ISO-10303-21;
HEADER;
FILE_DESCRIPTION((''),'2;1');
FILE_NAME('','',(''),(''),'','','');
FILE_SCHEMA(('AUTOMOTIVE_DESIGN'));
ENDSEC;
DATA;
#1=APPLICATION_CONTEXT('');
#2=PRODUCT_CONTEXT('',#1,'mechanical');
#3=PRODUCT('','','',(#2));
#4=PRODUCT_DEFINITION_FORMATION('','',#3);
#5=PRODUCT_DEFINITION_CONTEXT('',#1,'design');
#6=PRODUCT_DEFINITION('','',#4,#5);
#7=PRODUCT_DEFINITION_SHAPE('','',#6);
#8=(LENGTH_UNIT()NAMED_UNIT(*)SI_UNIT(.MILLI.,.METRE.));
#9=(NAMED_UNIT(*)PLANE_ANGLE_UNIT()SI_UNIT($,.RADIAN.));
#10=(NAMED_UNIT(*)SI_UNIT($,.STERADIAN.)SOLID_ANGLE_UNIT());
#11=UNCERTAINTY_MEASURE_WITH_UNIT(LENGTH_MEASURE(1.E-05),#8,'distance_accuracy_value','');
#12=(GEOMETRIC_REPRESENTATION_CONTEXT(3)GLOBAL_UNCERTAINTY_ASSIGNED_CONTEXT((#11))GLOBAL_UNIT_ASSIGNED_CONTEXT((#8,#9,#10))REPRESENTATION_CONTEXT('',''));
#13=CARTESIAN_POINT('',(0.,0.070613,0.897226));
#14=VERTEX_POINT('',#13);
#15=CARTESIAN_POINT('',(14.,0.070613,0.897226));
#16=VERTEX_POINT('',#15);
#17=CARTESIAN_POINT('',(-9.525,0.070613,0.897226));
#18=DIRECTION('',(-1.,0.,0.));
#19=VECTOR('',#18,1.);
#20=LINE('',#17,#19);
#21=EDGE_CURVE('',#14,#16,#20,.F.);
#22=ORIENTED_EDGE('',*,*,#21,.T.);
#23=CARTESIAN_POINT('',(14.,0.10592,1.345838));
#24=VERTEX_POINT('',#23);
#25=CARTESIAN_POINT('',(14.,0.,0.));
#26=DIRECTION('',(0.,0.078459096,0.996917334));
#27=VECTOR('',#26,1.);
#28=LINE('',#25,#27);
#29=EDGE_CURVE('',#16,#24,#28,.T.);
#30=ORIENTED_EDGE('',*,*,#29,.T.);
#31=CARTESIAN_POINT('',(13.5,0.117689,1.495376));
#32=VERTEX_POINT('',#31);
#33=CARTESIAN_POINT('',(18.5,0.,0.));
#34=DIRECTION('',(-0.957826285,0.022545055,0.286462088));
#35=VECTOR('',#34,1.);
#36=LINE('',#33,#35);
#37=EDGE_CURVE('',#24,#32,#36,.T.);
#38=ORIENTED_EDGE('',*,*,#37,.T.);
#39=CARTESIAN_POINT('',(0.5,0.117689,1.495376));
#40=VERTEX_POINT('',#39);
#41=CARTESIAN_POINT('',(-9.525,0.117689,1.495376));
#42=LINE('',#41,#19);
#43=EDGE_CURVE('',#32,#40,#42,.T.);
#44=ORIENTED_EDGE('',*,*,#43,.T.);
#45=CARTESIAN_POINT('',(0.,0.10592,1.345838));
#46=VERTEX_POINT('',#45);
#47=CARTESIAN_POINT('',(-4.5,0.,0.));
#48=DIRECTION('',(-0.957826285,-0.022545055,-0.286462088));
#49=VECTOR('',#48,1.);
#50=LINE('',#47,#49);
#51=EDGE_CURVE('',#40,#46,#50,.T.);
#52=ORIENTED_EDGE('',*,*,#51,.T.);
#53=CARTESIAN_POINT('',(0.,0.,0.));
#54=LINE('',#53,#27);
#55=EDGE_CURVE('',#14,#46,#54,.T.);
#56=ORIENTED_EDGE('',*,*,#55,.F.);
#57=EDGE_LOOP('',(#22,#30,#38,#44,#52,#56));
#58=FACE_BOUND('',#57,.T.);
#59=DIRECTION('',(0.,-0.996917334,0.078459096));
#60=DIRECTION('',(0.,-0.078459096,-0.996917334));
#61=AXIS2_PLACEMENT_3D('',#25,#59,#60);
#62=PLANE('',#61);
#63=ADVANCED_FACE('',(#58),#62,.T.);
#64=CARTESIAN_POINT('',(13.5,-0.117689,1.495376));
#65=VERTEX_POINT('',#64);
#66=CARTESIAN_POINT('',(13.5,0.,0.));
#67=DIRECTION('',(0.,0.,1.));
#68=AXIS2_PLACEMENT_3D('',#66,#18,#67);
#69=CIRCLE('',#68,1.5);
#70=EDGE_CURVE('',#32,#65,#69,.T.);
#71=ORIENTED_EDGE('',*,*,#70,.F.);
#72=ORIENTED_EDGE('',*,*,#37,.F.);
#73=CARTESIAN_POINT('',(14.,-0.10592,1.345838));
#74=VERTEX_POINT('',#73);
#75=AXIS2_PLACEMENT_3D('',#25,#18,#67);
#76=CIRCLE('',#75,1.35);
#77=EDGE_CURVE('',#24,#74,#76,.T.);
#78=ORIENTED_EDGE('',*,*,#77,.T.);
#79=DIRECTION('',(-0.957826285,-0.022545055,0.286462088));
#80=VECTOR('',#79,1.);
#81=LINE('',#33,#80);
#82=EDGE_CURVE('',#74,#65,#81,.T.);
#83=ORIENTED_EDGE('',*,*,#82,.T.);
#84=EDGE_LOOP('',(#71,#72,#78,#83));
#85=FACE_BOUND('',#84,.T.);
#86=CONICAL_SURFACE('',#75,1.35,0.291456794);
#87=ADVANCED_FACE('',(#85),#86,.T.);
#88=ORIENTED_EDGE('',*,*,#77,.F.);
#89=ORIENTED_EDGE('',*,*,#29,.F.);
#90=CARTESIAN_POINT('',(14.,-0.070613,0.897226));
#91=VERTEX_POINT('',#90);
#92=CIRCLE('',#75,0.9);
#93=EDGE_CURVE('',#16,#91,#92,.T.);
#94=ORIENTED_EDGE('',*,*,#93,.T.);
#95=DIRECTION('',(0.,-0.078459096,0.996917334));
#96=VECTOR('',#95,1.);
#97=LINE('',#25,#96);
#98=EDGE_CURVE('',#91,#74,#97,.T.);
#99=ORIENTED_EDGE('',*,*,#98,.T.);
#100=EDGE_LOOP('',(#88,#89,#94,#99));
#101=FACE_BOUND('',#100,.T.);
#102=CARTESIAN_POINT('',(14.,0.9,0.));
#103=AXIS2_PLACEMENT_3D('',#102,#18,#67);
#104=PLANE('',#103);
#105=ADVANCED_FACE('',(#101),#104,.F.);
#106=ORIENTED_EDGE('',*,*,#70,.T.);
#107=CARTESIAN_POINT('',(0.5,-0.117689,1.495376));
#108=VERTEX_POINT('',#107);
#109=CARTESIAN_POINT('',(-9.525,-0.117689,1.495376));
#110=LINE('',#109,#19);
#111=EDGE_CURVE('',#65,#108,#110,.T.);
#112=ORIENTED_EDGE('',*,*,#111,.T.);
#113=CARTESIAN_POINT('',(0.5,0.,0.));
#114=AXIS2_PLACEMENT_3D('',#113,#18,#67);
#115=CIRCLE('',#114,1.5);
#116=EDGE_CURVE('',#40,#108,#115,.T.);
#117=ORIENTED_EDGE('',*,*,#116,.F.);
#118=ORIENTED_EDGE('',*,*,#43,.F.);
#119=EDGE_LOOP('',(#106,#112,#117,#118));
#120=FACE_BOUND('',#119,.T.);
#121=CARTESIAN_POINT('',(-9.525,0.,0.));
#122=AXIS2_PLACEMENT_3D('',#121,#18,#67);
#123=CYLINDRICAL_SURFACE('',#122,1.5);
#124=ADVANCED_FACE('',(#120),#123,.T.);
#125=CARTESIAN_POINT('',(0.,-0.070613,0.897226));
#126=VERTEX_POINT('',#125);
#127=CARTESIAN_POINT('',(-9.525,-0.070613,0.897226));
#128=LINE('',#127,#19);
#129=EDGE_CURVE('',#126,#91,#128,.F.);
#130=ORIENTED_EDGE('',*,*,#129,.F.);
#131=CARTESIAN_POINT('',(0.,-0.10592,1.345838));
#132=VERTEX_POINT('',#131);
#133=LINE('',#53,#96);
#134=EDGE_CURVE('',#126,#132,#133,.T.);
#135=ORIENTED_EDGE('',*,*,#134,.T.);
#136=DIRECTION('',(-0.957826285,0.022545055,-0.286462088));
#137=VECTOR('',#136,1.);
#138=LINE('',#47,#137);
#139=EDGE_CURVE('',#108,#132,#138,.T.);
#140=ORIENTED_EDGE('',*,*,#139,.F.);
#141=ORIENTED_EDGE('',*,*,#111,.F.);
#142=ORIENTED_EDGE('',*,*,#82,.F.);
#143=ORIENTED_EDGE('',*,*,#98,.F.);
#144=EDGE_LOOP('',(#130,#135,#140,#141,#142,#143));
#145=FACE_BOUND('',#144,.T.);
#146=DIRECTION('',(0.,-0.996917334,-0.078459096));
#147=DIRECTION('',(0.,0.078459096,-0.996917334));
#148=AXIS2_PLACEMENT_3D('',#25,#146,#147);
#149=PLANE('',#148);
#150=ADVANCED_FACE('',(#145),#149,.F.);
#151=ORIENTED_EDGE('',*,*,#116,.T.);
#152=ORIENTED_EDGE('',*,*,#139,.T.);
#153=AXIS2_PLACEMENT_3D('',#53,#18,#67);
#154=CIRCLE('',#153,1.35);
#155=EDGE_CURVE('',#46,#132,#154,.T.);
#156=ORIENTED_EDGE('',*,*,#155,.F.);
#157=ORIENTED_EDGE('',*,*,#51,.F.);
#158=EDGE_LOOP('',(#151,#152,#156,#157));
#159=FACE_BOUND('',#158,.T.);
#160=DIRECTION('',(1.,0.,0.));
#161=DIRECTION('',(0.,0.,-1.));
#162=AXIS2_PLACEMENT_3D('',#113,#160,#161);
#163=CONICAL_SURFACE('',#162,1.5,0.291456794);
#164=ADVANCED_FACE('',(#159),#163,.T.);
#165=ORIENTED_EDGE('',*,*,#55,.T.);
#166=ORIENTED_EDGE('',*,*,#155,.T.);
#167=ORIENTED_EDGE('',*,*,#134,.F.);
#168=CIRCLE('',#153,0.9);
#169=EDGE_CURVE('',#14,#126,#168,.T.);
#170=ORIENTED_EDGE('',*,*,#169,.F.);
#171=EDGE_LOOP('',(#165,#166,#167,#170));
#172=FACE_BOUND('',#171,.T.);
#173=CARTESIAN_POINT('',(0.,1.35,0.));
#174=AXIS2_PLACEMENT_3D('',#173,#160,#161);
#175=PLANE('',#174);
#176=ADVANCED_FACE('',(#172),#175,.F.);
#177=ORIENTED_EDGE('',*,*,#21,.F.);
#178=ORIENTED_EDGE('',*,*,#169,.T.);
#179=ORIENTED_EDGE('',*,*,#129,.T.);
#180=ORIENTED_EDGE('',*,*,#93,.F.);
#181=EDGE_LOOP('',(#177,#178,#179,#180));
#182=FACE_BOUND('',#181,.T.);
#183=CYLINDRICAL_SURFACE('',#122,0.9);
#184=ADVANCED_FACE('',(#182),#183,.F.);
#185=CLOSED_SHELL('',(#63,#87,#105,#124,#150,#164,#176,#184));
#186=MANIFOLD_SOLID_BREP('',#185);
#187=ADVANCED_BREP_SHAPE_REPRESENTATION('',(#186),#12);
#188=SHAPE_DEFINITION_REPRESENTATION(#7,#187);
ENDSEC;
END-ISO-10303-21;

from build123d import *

# Parameters (mm, degrees)
GAP_DEPTH = 15.159802259


with BuildPart() as part:
    # Sketch1 → Base-Revolve (revolve)
    with BuildSketch(Plane.XY, mode=Mode.PRIVATE) as base_revolve_sk:
        Polygon((0, 0.9), (14, 0.9), (14, 1.35), (13.5, 1.5), (0.5, 1.5), (0, 1.35), align=None)
    revolve(base_revolve_sk.sketch.rotate(Axis((-9.525, 0, 0), (1, 0, 0)), 90), axis=Axis((-9.525, 0, 0), (1, 0, 0)))

    # Sketch2 → Gap (cut, through all)
    with BuildSketch(Plane(origin=(0, 0, 0), x_dir=(0, -1, 0), z_dir=(-1, 0, 0))):
        with BuildLine():
            Line((0, 0), (0.120042416, 1.525283521))
            ThreePointArc((0.120042416, 1.525283521), (0, 1.53), (-0.120042416, 1.525283521))
            Line((-0.120042416, 1.525283521), (0, 0))
        make_face()
    extrude(amount=-GAP_DEPTH, mode=Mode.SUBTRACT)


solid = part.part
